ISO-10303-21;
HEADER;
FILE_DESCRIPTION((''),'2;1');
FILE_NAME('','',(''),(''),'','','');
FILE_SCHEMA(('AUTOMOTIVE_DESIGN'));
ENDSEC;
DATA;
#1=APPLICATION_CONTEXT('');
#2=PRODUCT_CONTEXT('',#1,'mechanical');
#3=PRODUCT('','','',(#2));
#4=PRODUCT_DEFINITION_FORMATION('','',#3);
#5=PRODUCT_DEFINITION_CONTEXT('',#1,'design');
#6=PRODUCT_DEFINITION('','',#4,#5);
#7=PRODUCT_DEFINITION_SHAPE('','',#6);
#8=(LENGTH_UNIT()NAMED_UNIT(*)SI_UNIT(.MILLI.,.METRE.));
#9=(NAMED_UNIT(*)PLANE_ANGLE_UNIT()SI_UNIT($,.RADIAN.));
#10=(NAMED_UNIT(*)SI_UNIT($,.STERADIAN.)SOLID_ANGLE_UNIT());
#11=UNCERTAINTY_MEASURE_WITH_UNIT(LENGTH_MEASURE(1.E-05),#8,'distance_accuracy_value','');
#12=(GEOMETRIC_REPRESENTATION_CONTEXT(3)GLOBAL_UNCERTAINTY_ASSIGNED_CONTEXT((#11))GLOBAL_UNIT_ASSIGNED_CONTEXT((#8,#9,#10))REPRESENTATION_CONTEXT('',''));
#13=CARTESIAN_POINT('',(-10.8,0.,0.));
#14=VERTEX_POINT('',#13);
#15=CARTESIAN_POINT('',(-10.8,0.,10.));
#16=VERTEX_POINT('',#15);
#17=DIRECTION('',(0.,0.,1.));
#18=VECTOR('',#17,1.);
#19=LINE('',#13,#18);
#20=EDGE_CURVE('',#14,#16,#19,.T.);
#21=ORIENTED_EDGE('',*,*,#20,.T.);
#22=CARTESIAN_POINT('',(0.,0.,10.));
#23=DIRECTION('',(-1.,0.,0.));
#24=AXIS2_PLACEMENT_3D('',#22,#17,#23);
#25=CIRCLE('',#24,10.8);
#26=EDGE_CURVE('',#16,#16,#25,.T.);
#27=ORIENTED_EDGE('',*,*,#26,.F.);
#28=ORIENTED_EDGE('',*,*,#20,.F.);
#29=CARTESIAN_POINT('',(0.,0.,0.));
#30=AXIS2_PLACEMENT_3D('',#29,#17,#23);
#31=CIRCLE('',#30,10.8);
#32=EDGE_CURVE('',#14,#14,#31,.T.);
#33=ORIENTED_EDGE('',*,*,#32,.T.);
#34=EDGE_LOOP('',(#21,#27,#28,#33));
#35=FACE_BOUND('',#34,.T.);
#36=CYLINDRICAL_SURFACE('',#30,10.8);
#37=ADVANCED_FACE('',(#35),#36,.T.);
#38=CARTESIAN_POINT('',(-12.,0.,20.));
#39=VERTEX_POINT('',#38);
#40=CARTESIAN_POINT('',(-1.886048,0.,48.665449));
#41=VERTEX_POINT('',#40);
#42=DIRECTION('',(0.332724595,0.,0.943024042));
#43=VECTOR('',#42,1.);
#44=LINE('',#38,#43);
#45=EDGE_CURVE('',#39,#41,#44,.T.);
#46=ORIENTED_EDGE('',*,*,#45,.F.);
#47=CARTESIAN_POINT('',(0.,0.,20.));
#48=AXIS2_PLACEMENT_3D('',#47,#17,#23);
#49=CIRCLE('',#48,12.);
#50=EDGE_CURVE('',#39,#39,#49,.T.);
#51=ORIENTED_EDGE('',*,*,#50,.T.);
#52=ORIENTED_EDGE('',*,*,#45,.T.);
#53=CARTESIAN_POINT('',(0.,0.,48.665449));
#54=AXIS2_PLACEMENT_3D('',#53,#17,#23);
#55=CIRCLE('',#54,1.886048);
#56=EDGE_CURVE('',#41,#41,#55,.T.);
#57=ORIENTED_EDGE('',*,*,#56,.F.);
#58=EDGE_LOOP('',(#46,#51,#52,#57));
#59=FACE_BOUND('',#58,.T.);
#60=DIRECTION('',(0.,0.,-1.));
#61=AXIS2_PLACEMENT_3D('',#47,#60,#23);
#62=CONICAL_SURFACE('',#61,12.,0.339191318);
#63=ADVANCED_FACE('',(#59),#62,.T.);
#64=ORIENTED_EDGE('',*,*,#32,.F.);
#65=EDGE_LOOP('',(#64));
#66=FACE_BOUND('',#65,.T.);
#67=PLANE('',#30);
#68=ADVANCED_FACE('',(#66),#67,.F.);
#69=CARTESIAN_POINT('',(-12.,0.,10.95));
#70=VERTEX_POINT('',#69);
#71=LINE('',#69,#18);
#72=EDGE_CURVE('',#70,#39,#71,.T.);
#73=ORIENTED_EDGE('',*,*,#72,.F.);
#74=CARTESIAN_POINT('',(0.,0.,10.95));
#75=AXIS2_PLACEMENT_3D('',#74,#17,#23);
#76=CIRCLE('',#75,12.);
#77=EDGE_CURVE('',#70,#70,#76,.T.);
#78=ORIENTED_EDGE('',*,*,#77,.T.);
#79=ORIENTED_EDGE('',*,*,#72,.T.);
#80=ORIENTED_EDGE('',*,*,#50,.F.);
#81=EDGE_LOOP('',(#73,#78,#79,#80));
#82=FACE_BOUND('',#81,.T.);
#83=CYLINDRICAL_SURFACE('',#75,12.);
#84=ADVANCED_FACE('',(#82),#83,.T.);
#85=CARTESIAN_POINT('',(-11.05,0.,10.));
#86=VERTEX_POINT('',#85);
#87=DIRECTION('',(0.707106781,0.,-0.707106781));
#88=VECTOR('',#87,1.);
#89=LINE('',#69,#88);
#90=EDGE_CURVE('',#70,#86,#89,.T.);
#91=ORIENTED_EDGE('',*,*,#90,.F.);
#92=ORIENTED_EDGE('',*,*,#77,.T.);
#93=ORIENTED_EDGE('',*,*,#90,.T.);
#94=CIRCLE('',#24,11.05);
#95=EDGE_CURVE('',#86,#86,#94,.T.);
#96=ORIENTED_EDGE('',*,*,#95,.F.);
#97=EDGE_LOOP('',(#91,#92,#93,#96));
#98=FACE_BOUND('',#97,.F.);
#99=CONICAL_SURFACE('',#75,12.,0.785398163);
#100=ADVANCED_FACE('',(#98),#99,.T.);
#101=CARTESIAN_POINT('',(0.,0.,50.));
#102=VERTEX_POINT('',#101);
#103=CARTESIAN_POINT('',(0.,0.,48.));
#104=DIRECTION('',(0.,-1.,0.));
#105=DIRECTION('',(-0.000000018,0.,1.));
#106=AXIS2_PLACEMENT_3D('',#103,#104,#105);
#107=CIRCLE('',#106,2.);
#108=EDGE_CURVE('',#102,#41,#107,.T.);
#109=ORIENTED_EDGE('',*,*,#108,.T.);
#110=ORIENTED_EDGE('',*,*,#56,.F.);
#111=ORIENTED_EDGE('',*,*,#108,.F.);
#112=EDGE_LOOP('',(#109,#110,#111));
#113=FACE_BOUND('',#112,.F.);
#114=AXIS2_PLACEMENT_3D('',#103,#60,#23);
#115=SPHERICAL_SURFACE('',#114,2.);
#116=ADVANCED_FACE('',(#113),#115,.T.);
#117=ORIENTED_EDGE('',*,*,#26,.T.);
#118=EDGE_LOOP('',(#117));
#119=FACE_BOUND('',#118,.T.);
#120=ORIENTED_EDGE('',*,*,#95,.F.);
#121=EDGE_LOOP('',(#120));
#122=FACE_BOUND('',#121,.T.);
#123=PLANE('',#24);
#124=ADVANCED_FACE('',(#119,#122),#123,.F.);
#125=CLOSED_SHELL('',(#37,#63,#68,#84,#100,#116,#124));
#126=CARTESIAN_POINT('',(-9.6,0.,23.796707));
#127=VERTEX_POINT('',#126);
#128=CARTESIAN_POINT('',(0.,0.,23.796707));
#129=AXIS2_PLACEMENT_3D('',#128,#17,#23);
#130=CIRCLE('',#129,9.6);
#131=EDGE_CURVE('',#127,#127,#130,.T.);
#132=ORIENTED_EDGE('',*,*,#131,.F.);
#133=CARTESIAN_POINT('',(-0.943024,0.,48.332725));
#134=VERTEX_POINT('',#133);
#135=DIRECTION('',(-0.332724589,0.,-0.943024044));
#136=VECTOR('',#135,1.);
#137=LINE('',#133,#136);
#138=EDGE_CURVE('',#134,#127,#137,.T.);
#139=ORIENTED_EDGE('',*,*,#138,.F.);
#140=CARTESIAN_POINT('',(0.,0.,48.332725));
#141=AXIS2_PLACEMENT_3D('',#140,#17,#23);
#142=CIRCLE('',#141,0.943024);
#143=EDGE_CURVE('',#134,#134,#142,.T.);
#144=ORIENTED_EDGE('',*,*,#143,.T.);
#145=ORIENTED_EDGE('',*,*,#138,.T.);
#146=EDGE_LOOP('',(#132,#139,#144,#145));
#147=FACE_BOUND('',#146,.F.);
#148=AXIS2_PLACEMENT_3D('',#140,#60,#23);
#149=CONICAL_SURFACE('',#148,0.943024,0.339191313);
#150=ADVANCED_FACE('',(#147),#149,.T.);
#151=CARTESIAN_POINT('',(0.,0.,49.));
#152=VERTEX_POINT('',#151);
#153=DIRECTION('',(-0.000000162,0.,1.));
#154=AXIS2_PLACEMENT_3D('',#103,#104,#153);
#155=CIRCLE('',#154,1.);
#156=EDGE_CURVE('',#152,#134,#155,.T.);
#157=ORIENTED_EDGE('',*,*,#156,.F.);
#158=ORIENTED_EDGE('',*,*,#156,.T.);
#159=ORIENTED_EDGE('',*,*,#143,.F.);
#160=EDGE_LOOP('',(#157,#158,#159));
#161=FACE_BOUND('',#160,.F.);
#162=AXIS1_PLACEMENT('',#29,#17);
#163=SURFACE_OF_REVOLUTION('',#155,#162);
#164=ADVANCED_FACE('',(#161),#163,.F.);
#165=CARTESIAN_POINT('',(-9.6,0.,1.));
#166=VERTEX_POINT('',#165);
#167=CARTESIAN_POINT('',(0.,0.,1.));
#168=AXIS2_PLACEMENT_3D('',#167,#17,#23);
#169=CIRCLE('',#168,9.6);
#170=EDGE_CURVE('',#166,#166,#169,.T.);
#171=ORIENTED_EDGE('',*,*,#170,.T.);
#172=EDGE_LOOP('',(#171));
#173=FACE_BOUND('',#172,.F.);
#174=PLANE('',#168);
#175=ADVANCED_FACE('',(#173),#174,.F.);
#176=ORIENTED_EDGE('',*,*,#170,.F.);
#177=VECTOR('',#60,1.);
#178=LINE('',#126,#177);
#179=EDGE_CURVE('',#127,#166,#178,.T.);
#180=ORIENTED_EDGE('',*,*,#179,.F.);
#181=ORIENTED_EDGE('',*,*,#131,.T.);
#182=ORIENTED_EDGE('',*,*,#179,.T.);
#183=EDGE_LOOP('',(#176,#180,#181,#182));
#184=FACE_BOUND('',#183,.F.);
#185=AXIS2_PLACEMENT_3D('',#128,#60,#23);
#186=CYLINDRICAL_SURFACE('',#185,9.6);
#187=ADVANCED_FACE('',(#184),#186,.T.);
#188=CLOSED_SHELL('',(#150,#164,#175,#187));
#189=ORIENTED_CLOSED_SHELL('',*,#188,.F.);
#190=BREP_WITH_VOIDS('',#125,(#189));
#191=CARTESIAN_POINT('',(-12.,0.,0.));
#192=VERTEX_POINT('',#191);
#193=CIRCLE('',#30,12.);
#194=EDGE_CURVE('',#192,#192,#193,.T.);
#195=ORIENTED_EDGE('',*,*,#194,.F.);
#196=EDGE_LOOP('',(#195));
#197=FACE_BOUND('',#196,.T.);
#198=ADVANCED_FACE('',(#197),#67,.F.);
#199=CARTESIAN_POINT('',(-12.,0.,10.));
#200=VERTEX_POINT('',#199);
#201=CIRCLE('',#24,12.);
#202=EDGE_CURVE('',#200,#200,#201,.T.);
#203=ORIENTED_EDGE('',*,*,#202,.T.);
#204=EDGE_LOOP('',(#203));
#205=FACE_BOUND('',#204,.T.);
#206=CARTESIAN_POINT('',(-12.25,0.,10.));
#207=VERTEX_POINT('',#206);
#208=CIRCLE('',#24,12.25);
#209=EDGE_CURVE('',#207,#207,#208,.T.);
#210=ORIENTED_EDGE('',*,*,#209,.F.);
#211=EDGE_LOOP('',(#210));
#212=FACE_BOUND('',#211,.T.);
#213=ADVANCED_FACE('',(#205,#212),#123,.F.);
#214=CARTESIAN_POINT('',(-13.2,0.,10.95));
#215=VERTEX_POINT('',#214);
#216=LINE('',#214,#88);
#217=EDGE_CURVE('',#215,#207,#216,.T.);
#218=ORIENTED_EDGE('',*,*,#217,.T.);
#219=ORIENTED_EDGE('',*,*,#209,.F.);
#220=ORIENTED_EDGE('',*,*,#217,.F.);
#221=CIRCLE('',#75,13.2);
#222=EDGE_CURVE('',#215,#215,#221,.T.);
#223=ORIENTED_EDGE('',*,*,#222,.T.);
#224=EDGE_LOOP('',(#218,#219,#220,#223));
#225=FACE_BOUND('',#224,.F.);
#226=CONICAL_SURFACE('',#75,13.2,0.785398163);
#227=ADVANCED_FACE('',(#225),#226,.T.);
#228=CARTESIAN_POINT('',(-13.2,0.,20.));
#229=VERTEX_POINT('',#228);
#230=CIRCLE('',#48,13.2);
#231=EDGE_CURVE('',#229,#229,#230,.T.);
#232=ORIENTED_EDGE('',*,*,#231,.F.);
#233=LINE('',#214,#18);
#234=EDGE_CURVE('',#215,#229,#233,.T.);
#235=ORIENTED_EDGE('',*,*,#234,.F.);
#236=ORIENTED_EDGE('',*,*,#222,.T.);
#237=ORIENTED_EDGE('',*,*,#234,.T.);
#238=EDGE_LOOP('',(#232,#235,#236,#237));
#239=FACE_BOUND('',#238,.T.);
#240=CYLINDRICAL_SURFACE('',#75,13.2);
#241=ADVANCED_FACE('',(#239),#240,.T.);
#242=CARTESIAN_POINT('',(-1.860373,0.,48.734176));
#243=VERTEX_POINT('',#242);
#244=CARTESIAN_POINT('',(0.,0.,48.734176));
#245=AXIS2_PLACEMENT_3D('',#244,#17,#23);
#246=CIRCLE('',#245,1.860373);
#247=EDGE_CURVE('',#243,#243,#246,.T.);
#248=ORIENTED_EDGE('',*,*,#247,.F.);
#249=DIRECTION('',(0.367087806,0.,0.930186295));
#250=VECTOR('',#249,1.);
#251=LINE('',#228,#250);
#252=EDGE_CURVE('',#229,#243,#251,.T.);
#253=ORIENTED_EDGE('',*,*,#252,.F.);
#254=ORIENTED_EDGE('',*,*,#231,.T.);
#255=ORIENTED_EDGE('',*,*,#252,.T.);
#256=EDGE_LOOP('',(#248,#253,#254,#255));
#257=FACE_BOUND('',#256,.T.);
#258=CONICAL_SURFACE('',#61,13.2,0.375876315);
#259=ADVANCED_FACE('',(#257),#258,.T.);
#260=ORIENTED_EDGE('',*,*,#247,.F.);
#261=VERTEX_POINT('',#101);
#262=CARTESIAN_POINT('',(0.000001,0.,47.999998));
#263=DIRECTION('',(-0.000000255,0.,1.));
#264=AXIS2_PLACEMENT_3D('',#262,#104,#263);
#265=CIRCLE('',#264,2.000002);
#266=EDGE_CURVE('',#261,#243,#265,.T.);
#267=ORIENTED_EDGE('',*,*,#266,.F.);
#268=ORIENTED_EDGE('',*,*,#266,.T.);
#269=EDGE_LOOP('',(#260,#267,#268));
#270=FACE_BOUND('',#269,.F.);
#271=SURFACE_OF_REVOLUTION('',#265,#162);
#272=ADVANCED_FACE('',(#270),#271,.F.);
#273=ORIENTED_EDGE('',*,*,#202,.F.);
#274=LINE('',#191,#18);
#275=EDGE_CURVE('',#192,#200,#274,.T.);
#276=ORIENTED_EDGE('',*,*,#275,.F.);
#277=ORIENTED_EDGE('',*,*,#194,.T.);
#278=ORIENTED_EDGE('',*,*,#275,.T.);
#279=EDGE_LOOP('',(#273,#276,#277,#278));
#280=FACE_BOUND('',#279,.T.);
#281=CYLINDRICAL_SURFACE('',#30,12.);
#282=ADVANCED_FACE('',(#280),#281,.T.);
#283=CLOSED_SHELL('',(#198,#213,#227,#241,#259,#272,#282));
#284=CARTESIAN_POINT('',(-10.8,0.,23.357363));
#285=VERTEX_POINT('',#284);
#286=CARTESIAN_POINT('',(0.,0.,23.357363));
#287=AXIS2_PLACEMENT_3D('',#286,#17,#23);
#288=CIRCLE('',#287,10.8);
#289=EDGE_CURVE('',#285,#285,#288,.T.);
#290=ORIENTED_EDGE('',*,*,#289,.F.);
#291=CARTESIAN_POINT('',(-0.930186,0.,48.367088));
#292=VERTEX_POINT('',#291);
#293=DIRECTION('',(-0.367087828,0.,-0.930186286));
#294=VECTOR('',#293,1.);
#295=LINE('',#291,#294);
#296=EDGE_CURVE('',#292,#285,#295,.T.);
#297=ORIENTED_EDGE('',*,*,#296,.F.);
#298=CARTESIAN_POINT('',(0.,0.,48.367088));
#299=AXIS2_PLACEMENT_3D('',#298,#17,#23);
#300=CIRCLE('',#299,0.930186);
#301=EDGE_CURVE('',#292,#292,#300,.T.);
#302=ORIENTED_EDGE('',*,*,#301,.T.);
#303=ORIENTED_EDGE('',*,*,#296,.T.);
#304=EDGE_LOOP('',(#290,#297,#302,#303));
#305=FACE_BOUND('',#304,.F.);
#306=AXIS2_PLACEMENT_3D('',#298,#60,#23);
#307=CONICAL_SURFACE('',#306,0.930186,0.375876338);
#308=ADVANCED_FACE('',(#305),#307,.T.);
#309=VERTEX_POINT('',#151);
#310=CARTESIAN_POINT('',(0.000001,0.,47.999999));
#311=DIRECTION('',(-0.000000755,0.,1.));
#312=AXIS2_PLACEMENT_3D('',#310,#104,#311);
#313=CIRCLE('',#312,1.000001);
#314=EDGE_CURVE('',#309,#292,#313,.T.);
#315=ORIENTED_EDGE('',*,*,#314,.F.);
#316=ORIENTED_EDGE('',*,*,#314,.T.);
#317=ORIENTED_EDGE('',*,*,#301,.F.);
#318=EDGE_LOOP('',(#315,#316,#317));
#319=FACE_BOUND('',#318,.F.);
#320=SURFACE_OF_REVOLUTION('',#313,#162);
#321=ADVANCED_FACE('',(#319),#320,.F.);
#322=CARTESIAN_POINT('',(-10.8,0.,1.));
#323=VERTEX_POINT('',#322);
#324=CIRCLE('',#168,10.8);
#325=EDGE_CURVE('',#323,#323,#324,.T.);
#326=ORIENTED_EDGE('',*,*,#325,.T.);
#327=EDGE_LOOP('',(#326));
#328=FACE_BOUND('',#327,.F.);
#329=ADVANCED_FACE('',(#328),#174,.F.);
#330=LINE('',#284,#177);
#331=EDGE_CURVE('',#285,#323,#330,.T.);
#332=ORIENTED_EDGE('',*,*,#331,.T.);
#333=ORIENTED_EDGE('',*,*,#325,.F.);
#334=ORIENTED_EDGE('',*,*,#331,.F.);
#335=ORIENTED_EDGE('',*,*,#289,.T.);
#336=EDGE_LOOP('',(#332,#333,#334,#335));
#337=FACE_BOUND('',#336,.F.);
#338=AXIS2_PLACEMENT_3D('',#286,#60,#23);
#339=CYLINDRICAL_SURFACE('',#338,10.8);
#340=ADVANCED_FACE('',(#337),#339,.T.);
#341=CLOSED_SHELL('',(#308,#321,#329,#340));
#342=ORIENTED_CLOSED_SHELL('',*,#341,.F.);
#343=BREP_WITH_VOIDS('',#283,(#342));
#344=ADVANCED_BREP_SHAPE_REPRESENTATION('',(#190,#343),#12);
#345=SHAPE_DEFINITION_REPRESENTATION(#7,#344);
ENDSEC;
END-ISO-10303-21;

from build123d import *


with BuildPart() as body:
    # Sketch → Revolution (revolve)
    with BuildSketch(Plane.XZ):
        with BuildLine():
            Line((-10.8, 0), (-10.8, 10))
            Line((-10.8, 10), (-11.05, 10))
            Line((-12, 10.95), (-11.05, 10))
            Line((-12, 10.95), (-12, 20))
            Line((-12, 20), (-1.886048, 48.665449))
            ThreePointArc((0, 50), (-1.155228, 49.63262), (-1.886048, 48.665449))
            Line((0, 50), (0, 49))
            ThreePointArc((0, 49), (-0.577614, 48.81631), (-0.943024, 48.332725))
            Line((-0.943024, 48.332725), (-9.6, 23.796707))
            Line((-9.6, 23.796707), (-9.6, 1))
            Line((-9.6, 1), (0, 1))
            Line((0, 1), (0, 0))
            Line((0, 0), (-10.8, 0))
        make_face()
    revolve(axis=Axis((0, 0, 0), (0, 0, 1)))


with BuildPart() as body001:
    # Sketch001 → Revolution001 (revolve)
    with BuildSketch(Plane.XZ):
        with BuildLine():
            Line((-12, 0), (-12, 10))
            Line((-12, 10), (-12.25, 10))
            Line((-13.2, 10.95), (-12.25, 10))
            Line((-13.2, 10.95), (-13.2, 20))
            Line((-13.2, 20), (-1.860373, 48.734176))
            ThreePointArc((0, 50), (-1.125089, 49.653534), (-1.860373, 48.734176))
            Line((0, 50), (0, 49))
            ThreePointArc((0, 49), (-0.562544, 48.826767), (-0.930186, 48.367088))
            Line((-0.930186, 48.367088), (-10.8, 23.357363))
            Line((-10.8, 23.357363), (-10.8, 1))
            Line((-10.8, 1), (0, 1))
            Line((0, 1), (0, 0))
            Line((0, 0), (-12, 0))
        make_face()
    revolve(axis=Axis((0, 0, 0), (0, 0, 1)))


solid = Compound([body.part, body001.part])
